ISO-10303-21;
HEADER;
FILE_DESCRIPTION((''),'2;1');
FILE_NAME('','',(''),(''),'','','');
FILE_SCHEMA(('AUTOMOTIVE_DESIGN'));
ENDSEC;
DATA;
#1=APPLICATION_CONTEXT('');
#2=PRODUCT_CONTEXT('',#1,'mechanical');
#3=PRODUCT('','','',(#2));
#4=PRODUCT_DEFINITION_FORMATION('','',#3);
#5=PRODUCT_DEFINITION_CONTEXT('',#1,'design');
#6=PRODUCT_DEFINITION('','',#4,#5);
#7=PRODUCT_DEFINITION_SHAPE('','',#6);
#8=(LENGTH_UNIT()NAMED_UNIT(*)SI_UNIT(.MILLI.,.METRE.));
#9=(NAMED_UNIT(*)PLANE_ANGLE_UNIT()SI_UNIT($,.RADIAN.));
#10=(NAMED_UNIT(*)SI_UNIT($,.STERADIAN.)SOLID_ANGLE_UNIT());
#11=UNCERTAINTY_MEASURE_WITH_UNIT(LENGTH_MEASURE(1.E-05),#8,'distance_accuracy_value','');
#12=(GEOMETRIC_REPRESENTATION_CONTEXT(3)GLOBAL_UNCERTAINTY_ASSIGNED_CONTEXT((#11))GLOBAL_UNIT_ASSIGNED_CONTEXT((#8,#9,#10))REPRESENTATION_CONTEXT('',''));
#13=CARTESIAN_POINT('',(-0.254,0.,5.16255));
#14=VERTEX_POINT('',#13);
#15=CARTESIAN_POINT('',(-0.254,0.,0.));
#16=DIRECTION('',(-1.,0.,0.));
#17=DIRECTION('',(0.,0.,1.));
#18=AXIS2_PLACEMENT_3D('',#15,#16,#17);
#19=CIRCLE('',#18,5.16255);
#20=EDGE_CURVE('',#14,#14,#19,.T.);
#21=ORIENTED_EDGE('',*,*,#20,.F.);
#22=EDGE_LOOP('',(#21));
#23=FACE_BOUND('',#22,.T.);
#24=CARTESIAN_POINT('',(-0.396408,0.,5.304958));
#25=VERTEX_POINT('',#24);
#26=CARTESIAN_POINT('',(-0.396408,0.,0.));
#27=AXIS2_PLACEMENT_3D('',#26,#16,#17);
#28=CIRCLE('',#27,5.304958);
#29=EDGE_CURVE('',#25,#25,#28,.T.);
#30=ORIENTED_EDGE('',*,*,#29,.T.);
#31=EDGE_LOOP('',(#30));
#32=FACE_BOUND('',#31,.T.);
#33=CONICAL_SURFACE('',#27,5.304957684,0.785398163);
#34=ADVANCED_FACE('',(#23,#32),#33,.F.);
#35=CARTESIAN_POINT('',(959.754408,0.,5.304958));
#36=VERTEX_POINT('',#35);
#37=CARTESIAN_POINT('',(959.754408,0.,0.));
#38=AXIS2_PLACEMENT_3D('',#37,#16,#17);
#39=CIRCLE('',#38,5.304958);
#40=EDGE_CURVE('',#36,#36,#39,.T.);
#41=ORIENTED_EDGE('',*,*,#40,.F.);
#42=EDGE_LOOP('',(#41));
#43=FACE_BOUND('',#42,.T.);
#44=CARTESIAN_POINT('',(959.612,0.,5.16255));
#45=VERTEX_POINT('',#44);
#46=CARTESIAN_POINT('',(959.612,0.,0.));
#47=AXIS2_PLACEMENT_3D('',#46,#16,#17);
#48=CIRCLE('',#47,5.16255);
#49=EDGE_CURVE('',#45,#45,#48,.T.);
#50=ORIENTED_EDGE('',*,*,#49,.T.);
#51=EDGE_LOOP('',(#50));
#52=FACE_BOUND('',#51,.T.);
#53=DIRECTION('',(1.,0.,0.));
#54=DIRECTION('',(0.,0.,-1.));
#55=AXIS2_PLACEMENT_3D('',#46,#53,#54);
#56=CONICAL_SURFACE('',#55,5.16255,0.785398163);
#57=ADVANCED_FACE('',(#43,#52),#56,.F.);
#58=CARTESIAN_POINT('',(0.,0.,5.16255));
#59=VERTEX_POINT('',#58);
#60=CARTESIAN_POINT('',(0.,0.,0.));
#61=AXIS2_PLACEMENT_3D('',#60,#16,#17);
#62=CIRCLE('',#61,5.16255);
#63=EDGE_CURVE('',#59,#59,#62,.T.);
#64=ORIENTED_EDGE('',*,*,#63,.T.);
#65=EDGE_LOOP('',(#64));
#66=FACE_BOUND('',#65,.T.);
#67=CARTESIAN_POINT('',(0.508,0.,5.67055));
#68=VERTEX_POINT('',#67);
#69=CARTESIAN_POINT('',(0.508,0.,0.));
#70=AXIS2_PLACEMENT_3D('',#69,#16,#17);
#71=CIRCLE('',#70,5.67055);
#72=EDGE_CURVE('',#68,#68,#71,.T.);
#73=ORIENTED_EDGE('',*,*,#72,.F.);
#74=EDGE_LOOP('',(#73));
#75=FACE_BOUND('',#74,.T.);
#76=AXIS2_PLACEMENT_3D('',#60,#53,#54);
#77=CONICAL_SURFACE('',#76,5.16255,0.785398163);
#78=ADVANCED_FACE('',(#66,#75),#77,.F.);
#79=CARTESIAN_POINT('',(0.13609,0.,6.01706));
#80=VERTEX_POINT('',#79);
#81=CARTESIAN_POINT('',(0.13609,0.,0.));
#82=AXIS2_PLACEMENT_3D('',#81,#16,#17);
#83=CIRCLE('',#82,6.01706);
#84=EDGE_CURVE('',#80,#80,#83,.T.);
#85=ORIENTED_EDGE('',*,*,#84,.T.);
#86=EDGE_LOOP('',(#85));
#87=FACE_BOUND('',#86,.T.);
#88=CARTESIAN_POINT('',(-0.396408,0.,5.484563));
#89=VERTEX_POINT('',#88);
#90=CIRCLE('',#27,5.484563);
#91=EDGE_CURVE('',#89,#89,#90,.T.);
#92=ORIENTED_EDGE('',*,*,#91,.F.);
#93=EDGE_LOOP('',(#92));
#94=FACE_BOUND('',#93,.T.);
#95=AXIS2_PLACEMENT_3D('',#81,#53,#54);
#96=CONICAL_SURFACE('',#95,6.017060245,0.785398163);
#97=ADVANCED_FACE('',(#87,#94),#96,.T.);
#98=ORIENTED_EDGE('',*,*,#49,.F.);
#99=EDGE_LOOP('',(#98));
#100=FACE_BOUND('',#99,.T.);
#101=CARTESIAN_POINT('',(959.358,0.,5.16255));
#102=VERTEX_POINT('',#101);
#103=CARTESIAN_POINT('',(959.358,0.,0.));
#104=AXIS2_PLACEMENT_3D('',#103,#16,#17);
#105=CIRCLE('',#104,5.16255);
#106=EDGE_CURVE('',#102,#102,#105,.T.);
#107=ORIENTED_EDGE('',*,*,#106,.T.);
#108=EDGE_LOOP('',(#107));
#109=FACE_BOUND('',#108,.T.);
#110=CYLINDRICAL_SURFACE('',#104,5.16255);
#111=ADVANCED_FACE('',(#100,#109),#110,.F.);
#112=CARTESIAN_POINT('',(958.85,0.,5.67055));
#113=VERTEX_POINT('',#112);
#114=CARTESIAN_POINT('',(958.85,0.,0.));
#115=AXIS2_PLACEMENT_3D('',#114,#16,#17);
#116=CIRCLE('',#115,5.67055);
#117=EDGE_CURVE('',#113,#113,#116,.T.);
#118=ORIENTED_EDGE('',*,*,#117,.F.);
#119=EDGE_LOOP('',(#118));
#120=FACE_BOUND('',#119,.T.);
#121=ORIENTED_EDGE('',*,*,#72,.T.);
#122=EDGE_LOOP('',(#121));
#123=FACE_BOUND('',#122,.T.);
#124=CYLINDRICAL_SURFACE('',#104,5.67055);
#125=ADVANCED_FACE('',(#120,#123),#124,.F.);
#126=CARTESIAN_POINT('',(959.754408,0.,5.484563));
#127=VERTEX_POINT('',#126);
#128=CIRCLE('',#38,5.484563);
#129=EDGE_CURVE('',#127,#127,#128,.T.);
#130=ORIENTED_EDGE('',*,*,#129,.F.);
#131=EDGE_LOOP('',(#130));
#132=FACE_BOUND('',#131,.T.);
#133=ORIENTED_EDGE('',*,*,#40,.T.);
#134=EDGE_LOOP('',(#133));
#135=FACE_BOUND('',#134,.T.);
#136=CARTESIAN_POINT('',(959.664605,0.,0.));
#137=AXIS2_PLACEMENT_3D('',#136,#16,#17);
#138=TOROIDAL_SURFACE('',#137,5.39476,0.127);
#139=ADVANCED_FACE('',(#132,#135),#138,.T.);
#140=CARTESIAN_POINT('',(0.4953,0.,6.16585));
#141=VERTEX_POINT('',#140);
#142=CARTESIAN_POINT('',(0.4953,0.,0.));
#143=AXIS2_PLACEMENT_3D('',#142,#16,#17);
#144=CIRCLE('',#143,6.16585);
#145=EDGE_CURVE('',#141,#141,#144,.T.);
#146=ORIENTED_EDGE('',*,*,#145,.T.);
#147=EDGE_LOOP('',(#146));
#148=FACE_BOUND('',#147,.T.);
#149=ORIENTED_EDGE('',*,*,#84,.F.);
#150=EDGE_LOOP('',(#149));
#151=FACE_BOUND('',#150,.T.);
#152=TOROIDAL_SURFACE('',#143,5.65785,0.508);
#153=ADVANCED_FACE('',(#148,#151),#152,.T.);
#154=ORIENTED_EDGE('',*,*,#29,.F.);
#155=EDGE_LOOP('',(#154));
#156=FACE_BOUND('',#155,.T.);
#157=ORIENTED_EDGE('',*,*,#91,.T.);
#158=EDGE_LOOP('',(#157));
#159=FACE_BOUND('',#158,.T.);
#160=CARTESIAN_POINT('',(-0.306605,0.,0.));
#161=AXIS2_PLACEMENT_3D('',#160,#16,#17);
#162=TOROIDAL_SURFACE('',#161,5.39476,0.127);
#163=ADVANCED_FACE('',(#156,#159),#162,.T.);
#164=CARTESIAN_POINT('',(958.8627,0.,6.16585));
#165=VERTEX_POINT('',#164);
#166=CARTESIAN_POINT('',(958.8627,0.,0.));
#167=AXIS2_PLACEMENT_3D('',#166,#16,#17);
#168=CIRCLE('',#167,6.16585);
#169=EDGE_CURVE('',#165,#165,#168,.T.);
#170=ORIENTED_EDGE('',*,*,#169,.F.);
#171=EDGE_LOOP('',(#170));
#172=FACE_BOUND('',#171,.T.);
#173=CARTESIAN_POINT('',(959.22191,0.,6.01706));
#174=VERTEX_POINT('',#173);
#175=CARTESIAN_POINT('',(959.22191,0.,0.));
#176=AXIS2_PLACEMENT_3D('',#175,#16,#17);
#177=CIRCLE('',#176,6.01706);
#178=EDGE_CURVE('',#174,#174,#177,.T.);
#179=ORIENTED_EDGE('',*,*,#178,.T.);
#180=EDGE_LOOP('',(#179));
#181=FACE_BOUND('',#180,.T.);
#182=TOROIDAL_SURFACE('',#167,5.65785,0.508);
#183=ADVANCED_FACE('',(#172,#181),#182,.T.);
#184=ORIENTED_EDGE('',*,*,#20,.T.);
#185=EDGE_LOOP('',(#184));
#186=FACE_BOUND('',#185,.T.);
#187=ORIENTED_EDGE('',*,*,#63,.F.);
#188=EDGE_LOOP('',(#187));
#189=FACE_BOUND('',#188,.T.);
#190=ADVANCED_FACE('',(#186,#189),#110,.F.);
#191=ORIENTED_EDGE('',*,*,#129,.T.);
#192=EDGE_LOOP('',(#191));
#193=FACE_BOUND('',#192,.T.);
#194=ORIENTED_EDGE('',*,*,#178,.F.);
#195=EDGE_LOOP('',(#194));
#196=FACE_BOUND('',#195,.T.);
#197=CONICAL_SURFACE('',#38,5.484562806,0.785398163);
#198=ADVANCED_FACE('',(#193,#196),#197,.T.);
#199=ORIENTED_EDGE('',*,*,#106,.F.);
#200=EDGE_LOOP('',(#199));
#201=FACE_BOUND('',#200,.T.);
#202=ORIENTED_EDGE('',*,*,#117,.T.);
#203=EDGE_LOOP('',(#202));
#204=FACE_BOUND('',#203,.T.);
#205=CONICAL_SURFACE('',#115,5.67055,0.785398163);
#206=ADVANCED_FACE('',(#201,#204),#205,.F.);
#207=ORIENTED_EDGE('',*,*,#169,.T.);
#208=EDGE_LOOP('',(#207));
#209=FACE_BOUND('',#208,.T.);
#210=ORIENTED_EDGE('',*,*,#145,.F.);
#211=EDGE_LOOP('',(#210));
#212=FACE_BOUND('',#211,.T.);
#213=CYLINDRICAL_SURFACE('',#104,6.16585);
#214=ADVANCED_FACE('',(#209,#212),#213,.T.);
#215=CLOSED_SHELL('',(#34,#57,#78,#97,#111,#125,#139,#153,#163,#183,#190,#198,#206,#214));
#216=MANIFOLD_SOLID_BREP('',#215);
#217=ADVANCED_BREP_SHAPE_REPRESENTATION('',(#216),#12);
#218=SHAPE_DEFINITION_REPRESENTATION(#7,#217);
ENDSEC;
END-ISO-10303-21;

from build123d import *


with BuildPart() as part:
    # Sketch1 → Revolve1 (revolve)
    with BuildSketch(Plane.XY):
        with BuildLine():
            Line((-0.396407684, 5.304957684), (-0.254, 5.16255))
            Line((-0.254, 5.16255), (0, 5.16255))
            Line((0, 5.16255), (0.508, 5.67055))
            Line((0.508, 5.67055), (958.85, 5.67055))
            Line((958.85, 5.67055), (959.358, 5.16255))
            Line((959.358, 5.16255), (959.612, 5.16255))
            Line((959.612, 5.16255), (959.754407684, 5.304957684))
            ThreePointArc((959.754407684, 5.304957684), (959.791605122, 5.394760245), (959.754407684, 5.484562806))
            Line((959.754407684, 5.484562806), (959.221910245, 6.017060245))
            ThreePointArc((959.221910245, 6.017060245), (959.057103184, 6.127180803), (958.8627, 6.16585))
            Line((958.8627, 6.16585), (0.4953, 6.16585))
            ThreePointArc((0.4953, 6.16585), (0.300896816, 6.127180803), (0.136089755, 6.017060245))
            Line((0.136089755, 6.017060245), (-0.396407684, 5.484562806))
            ThreePointArc((-0.396407684, 5.484562806), (-0.433605122, 5.394760245), (-0.396407684, 5.304957684))
        make_face()
    revolve(axis=Axis((959.358, 0, 0), (-1, 0, 0)))


solid = part.part
